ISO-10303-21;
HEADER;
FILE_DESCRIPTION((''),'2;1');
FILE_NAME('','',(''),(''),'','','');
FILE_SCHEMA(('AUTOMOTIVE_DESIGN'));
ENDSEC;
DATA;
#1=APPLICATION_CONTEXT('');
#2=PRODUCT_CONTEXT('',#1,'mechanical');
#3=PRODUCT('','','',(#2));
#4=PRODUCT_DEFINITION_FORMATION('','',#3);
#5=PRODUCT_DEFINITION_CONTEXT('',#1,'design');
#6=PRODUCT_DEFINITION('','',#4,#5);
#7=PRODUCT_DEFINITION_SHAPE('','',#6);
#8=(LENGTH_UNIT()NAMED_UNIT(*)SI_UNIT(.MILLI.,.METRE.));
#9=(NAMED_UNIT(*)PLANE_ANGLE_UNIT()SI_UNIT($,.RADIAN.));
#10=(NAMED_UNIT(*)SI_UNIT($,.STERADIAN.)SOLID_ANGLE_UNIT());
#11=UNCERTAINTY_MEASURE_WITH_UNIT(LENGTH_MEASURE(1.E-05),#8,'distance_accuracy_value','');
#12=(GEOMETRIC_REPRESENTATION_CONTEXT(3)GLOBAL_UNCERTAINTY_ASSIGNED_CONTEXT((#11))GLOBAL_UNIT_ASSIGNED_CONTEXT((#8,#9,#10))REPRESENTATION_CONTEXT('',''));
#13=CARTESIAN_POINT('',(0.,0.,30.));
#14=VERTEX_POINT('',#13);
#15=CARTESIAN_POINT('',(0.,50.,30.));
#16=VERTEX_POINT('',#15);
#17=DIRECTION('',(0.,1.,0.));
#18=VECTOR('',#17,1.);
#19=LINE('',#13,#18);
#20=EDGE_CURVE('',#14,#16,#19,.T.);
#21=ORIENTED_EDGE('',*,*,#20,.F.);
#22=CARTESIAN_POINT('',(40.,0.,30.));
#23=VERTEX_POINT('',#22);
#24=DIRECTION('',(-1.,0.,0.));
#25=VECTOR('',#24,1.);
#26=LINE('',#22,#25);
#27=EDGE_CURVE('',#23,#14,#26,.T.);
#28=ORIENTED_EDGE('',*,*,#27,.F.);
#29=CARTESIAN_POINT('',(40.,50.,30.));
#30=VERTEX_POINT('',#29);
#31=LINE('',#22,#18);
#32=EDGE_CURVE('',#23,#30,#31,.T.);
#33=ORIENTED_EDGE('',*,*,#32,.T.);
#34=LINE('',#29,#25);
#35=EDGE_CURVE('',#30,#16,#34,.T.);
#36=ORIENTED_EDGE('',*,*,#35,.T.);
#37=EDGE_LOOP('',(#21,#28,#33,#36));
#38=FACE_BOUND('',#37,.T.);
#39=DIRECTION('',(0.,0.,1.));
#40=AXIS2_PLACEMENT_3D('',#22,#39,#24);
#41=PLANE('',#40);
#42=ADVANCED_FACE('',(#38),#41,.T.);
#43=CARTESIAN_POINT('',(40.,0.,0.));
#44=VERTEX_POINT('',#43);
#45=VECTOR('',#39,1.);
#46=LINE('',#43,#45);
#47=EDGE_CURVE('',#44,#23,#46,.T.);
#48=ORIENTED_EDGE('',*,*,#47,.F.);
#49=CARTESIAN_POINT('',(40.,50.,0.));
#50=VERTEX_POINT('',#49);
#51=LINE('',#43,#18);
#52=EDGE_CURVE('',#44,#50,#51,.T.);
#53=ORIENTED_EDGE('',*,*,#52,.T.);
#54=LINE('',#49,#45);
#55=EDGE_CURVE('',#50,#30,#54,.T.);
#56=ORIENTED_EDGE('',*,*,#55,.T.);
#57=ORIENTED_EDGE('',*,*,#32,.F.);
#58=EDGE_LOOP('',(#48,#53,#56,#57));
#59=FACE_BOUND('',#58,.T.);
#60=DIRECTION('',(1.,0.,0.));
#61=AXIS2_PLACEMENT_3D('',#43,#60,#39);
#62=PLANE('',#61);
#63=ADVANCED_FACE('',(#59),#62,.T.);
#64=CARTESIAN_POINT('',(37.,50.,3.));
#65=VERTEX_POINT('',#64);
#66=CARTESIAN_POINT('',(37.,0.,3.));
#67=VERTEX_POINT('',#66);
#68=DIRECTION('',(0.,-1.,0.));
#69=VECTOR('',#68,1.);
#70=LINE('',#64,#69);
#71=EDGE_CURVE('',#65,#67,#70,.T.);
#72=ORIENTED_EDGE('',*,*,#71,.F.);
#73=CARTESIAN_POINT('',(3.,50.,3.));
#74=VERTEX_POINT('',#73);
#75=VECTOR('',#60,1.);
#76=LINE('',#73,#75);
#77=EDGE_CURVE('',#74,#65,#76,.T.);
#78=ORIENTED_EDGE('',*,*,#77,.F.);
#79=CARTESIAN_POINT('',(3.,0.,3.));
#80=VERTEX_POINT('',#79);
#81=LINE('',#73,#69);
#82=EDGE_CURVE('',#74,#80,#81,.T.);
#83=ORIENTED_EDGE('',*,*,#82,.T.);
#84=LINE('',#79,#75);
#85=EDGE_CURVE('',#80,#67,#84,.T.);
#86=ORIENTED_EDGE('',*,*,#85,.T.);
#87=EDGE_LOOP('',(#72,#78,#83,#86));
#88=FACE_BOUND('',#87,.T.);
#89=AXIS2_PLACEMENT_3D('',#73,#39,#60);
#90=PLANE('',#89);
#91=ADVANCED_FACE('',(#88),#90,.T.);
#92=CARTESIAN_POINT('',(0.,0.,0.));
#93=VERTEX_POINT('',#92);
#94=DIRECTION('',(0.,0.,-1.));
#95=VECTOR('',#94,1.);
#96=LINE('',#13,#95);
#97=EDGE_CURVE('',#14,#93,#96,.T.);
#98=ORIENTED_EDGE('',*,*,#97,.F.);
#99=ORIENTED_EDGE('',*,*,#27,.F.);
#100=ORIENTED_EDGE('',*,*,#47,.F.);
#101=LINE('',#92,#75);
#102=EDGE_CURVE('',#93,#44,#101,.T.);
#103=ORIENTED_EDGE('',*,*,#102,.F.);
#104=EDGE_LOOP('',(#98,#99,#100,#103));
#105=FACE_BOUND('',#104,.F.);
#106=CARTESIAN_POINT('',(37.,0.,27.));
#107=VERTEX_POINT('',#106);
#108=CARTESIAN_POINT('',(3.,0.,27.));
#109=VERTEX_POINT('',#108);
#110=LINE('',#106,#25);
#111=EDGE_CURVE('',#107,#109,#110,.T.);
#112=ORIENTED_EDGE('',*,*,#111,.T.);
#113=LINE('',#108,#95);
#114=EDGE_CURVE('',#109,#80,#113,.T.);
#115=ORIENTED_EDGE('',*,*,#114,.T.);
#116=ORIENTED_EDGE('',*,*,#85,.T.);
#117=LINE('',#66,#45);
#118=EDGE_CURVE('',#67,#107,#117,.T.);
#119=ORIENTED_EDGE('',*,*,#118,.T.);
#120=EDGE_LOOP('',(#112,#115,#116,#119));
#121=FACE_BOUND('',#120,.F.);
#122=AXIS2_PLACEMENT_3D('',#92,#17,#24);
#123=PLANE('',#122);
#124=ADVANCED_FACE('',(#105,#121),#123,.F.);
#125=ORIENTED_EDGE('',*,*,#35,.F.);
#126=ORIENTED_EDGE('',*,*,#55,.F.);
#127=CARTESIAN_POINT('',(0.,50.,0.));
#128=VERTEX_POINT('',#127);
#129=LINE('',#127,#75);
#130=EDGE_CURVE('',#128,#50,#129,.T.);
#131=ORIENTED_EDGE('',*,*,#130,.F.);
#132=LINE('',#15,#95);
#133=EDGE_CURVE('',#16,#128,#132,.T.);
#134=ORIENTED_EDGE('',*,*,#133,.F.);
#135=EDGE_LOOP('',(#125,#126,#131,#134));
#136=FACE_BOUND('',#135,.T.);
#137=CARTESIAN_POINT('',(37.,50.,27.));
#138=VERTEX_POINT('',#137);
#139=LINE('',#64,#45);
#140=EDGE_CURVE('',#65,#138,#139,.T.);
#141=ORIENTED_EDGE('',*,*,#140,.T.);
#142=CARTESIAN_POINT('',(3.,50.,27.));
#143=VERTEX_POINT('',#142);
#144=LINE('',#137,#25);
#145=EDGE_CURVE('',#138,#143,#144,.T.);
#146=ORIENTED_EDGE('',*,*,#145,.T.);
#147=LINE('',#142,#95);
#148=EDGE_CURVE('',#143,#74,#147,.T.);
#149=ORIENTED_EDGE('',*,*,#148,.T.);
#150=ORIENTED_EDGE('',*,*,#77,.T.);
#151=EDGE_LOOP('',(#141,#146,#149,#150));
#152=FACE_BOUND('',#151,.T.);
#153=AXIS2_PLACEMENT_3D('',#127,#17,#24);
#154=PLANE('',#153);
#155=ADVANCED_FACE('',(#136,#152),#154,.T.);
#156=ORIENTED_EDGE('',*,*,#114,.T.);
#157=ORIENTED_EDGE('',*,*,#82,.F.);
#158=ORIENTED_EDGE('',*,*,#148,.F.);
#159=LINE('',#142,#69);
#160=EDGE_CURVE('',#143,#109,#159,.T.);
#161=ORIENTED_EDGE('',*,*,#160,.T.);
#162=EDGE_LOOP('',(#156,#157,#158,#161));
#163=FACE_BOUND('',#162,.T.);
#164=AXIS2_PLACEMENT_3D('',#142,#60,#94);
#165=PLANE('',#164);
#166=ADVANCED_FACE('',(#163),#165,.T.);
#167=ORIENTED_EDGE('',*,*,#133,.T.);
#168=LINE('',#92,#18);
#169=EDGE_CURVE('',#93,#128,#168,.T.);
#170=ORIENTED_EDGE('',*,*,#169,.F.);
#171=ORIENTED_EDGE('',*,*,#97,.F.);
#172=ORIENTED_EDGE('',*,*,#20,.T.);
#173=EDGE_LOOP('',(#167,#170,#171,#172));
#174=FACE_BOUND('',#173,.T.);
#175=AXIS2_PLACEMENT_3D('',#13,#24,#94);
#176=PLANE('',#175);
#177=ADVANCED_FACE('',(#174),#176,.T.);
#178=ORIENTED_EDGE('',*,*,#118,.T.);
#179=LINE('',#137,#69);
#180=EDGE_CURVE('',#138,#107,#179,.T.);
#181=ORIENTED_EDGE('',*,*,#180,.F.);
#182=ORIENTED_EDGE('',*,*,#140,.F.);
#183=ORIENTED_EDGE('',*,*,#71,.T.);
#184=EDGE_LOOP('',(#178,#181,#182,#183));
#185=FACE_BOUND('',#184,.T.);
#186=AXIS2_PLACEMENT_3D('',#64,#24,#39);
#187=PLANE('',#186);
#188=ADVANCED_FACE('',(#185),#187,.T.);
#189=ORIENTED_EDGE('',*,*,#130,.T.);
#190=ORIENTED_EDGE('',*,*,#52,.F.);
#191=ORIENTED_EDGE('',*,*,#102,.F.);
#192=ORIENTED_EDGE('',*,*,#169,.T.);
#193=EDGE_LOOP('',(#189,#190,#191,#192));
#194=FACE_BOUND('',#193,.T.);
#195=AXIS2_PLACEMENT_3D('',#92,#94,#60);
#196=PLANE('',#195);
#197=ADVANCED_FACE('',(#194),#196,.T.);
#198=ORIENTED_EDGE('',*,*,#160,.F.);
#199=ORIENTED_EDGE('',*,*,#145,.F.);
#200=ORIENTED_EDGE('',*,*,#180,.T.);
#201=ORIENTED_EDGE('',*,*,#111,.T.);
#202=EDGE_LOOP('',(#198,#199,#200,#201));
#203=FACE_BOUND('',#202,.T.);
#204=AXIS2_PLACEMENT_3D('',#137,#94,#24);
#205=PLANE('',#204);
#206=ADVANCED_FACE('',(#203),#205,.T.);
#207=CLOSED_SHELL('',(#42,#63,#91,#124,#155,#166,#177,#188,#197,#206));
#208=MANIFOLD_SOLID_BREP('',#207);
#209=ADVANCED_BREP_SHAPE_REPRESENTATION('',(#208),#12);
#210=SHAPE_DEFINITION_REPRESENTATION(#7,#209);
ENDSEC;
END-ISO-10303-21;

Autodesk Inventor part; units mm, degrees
ref_plane "YZ Plane" through (0, 0, 0) normal (1, 0, 0) x (0, 1, 0)
ref_plane "XZ Plane" through (0, 0, 0) normal (0, 1, 0) x (-1, 0, 0)
ref_plane "XY Plane" through (0, 0, 0) normal (0, 0, 1) x (1, 0, 0)
sketch "スケッチ1" plane through (0, 0, 0) normal (0, 1, 0) x (-1, 0, 0)
  line L0 (0, 0) -> (-40, 0)
  line L1 (-40, 0) -> (-40, 30)
  line L2 (-40, 30) -> (0, 30)
  line L3 (0, 30) -> (0, 0)
  dimension "d0" = 40
  dimension "d1" = 30
extrude "押し出し1" add sketch "スケッチ1" along normal blind 50
sketch "スケッチ2" plane through (0, 50, 0) normal (0, 1, 0) x (1, 0, 0)
  line L0 (40, 0) -> (0, 0) projected
  line L1 (0, 0) -> (0, -30) projected
  line L2 (0, -30) -> (40, -30) projected
  line L3 (40, -30) -> (40, 0) projected
  line L4 (3, -3) -> (37, -3)
  line L5 (37, -3) -> (37, -27)
  line L6 (37, -27) -> (3, -27)
  line L7 (3, -27) -> (3, -3)
  dimension "d4" = 3
  dimension "d5" = 3
  dimension "d6" = 3
  dimension "d7" = 3
extrude "押し出し2" cut sketch "スケッチ2" against normal blind 50 contours L4 L5 L6 L7
properties part number "知能ロボコンギアボックス２"
